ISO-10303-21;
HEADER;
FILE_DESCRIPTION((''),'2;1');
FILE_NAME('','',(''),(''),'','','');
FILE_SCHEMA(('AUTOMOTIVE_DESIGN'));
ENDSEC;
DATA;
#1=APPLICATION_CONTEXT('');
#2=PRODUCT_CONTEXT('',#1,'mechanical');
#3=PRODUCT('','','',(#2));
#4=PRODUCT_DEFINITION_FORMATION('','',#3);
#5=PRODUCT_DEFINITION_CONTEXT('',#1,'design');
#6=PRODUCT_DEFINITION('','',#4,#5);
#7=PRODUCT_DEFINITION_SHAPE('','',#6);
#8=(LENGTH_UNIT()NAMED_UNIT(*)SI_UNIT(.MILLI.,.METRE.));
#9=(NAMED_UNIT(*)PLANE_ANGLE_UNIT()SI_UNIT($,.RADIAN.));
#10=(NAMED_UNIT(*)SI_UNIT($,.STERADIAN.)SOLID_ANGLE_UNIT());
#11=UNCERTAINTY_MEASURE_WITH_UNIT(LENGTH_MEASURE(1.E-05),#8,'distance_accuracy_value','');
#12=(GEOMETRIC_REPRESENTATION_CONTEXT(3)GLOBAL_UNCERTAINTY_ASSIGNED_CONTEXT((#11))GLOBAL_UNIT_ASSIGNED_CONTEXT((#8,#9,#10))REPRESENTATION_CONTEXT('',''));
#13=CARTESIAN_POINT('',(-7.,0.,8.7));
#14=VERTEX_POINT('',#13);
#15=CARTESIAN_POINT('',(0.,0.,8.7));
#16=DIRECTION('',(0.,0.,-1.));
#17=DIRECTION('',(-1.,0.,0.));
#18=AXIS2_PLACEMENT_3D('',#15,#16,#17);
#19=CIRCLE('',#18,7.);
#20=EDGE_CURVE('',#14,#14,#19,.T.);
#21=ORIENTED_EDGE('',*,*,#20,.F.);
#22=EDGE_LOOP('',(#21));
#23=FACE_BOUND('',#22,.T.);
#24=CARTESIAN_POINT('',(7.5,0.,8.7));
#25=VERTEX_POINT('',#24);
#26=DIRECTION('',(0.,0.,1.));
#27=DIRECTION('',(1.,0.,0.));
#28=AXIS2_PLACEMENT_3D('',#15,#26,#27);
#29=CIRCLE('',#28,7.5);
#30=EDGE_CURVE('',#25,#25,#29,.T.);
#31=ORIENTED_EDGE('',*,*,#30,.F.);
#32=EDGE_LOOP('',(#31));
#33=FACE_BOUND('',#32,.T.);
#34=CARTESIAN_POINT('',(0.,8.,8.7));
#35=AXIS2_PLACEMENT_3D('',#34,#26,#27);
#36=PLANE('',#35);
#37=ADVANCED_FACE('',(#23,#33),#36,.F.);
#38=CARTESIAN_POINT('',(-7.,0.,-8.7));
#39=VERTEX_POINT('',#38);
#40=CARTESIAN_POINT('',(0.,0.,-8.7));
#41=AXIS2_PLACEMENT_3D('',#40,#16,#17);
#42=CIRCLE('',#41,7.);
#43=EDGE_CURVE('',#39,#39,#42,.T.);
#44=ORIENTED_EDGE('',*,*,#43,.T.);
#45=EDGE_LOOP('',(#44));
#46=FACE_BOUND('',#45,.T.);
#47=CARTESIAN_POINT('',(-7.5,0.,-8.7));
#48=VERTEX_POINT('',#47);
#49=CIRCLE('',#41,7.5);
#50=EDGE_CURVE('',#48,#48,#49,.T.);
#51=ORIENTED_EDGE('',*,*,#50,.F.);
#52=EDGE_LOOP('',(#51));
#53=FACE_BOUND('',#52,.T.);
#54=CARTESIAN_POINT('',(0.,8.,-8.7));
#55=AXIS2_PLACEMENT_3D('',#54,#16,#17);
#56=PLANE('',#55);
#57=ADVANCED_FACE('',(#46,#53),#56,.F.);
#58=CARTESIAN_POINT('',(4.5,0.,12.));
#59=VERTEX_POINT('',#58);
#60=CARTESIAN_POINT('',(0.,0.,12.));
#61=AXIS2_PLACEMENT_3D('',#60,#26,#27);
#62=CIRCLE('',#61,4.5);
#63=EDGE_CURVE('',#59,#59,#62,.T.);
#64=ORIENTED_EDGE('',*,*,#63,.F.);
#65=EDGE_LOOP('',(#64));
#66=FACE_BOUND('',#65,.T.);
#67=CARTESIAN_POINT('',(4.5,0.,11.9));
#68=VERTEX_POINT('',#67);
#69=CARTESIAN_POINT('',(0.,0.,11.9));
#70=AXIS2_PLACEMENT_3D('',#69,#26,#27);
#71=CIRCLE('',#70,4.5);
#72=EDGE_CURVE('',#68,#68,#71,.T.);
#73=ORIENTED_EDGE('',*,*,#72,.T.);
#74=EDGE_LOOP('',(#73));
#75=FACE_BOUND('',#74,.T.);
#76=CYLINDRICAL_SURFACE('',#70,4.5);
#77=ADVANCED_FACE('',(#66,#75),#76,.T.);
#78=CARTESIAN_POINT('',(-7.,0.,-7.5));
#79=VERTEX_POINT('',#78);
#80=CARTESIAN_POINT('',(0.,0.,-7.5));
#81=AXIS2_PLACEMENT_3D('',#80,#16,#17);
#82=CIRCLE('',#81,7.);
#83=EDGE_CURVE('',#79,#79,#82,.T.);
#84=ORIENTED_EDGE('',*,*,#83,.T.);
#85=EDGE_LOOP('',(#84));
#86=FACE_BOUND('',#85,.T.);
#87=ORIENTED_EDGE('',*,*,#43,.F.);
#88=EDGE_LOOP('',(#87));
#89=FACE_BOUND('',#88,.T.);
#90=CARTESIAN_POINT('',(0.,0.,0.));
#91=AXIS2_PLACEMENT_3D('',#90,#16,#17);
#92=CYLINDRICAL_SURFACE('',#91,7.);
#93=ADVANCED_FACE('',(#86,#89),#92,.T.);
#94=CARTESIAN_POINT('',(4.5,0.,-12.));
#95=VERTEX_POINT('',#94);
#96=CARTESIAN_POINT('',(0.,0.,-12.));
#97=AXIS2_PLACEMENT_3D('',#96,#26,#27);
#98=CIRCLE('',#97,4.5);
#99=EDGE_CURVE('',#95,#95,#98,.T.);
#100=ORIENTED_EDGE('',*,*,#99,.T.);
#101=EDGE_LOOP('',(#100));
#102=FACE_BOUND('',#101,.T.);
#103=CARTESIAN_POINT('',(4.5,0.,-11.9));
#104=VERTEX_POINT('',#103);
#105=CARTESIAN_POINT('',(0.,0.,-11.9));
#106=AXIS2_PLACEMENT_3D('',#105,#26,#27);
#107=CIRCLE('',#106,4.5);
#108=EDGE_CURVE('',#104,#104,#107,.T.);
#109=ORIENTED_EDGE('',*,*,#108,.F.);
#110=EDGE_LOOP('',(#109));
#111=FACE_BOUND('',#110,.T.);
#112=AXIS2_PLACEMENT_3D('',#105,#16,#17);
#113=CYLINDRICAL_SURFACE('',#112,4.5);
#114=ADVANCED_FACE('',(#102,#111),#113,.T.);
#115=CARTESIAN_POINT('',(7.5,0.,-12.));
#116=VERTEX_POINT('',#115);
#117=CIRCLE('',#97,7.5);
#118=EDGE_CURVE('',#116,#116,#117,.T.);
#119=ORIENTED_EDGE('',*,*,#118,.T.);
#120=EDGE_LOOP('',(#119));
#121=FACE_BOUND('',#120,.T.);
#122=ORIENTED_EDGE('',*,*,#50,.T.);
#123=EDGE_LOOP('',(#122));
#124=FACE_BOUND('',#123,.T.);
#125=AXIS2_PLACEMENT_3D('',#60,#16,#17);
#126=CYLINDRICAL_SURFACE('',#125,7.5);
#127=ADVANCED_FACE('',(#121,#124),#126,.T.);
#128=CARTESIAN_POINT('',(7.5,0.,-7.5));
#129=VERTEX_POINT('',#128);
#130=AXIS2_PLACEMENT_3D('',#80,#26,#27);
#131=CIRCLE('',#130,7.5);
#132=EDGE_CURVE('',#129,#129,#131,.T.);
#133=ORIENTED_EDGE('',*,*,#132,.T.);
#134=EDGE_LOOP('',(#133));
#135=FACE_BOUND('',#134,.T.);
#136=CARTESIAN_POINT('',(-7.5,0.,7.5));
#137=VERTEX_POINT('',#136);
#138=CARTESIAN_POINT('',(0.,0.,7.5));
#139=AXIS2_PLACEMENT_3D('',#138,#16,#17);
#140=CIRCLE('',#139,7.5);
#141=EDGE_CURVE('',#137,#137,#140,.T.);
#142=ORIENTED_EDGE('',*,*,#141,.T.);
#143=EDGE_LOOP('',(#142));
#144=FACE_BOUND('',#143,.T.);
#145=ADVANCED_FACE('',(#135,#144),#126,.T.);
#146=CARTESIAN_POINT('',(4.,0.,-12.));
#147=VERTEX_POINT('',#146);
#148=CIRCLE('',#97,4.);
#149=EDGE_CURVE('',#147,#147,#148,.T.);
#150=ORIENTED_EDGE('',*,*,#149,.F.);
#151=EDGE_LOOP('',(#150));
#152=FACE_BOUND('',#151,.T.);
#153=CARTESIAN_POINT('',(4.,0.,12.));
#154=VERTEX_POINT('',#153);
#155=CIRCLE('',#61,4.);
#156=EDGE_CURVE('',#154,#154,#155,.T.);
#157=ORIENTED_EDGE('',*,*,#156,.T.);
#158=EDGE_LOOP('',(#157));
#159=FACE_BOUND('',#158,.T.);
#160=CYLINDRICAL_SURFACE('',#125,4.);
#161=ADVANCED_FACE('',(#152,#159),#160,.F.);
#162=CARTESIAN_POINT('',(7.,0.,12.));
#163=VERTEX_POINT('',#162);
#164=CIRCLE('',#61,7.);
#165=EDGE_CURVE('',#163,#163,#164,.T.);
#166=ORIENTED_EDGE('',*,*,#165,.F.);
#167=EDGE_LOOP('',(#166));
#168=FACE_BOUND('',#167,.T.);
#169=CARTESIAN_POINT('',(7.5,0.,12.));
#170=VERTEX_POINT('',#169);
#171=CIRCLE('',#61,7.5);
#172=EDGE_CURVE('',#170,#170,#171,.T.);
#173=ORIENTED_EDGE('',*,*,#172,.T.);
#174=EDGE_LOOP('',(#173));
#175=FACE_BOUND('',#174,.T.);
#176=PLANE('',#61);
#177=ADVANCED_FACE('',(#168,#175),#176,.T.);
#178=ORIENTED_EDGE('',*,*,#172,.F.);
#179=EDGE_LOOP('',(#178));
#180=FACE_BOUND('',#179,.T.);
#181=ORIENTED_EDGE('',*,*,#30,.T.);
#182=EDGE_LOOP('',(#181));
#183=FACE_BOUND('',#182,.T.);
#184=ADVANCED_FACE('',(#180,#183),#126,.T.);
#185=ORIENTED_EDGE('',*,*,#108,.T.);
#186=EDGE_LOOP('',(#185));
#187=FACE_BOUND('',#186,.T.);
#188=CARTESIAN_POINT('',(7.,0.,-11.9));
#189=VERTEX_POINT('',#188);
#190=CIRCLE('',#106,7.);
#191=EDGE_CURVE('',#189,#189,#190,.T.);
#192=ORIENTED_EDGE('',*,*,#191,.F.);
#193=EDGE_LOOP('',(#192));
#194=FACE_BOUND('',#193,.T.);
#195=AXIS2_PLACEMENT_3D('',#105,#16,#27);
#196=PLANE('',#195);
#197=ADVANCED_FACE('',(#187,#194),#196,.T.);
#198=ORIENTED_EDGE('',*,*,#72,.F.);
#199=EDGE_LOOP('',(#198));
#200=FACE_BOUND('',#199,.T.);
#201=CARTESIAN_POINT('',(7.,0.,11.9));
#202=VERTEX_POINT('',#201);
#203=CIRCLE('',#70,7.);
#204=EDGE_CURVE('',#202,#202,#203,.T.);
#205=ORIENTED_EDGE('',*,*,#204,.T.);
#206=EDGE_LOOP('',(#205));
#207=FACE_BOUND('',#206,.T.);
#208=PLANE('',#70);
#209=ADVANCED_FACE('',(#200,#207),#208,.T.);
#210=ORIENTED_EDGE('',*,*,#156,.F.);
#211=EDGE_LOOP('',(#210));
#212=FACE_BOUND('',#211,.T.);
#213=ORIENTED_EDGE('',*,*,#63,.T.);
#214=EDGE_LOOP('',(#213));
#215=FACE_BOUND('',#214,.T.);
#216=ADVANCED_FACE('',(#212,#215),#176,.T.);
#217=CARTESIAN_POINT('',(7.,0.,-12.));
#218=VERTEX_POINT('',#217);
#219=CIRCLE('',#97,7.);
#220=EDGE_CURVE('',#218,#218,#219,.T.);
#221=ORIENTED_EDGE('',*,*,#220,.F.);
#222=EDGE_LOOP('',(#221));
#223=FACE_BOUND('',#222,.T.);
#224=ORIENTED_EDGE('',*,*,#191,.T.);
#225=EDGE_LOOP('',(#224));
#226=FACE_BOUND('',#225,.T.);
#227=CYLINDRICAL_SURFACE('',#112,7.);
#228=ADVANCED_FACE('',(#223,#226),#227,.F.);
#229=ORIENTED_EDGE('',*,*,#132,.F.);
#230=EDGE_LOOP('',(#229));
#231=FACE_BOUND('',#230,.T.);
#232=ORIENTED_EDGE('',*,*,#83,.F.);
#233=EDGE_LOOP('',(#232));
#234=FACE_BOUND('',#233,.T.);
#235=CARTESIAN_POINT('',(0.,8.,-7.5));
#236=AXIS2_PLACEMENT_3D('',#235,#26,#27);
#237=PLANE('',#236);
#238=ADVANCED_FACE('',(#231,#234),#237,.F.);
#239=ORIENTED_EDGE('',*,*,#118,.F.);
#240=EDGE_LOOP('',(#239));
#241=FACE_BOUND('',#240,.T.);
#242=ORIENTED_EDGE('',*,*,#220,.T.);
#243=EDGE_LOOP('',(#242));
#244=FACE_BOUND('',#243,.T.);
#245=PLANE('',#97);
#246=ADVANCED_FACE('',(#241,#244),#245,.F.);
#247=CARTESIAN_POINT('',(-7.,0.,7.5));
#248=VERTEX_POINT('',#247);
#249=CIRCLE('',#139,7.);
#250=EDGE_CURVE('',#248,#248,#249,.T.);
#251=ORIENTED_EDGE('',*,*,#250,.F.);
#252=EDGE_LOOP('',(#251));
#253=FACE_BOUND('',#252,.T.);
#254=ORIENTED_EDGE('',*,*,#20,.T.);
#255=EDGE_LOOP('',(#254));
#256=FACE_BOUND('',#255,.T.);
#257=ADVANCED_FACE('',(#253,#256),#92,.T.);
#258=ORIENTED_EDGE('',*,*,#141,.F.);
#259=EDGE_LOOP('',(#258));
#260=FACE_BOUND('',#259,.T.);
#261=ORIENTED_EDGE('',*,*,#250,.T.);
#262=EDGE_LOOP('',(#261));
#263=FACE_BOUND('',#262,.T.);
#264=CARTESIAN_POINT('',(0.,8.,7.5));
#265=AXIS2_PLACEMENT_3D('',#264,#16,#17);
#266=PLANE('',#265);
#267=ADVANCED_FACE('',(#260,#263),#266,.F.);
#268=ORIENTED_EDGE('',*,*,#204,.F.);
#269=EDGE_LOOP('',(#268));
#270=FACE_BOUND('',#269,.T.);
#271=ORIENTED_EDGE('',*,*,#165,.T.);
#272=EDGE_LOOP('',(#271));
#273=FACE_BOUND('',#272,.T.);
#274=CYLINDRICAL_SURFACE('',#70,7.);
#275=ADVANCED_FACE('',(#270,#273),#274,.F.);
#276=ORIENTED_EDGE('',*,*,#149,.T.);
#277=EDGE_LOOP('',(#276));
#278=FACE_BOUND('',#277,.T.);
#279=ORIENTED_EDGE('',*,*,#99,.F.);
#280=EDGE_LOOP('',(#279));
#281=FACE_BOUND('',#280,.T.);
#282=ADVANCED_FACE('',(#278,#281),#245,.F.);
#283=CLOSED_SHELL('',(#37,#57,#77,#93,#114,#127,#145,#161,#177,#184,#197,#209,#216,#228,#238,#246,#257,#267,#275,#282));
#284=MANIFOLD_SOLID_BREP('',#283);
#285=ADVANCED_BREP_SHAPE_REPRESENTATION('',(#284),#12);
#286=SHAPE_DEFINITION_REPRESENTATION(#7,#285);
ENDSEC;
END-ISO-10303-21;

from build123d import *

# Parameters (mm, degrees)
ESBO_O1_R                = 7.5
ESBO_O1_R_2              = 4
RESSALTO_EXTRUS_O1_DEPTH = 12
ESBO_O2_R                = 7
ESBO_O2_R_2              = 4.5
CORTE_EXTRUS_O1_DEPTH    = 0.1
ESBO_O3_W                = 1.2
ESBO_O3_H                = 1


with BuildPart() as part:
    # Esboço1 → Ressalto-extrusão1 (new, symmetric)
    with BuildSketch(Plane.XY):
        Circle(ESBO_O1_R)
        Circle(ESBO_O1_R_2, mode=Mode.SUBTRACT)
    extrude(amount=RESSALTO_EXTRUS_O1_DEPTH, both=True)

    # Esboço2 → Corte-extrusão1 (cut)
    with BuildSketch(Plane.XY.offset(12)):
        Circle(ESBO_O2_R)
        Circle(ESBO_O2_R_2, mode=Mode.SUBTRACT)
    corte_extrus_o1 = extrude(amount=-CORTE_EXTRUS_O1_DEPTH, mode=Mode.SUBTRACT)

    # Espelhar1: Corte-extrusão1 across plane
    add(corte_extrus_o1.mirror(Plane.XY), mode=Mode.SUBTRACT)

    # Esboço3 → Corte-Revolução1 (revolve, cut)
    with BuildSketch(Plane(origin=(0, 0, 0), x_dir=(0, 0, -1), z_dir=(1, 0, 0)), mode=Mode.PRIVATE) as corte_revolu_o1_sk:
        with Locations((-8.1, 7.5)):
            Rectangle(ESBO_O3_W, ESBO_O3_H)
        with Locations((8.1, 7.5)):
            Rectangle(ESBO_O3_W, ESBO_O3_H)
    revolve(corte_revolu_o1_sk.sketch.rotate(Axis((0, 0, 0), (0, 0, 1)), 90), axis=Axis((0, 0, 0), (0, 0, 1)), mode=Mode.SUBTRACT)


solid = part.part
